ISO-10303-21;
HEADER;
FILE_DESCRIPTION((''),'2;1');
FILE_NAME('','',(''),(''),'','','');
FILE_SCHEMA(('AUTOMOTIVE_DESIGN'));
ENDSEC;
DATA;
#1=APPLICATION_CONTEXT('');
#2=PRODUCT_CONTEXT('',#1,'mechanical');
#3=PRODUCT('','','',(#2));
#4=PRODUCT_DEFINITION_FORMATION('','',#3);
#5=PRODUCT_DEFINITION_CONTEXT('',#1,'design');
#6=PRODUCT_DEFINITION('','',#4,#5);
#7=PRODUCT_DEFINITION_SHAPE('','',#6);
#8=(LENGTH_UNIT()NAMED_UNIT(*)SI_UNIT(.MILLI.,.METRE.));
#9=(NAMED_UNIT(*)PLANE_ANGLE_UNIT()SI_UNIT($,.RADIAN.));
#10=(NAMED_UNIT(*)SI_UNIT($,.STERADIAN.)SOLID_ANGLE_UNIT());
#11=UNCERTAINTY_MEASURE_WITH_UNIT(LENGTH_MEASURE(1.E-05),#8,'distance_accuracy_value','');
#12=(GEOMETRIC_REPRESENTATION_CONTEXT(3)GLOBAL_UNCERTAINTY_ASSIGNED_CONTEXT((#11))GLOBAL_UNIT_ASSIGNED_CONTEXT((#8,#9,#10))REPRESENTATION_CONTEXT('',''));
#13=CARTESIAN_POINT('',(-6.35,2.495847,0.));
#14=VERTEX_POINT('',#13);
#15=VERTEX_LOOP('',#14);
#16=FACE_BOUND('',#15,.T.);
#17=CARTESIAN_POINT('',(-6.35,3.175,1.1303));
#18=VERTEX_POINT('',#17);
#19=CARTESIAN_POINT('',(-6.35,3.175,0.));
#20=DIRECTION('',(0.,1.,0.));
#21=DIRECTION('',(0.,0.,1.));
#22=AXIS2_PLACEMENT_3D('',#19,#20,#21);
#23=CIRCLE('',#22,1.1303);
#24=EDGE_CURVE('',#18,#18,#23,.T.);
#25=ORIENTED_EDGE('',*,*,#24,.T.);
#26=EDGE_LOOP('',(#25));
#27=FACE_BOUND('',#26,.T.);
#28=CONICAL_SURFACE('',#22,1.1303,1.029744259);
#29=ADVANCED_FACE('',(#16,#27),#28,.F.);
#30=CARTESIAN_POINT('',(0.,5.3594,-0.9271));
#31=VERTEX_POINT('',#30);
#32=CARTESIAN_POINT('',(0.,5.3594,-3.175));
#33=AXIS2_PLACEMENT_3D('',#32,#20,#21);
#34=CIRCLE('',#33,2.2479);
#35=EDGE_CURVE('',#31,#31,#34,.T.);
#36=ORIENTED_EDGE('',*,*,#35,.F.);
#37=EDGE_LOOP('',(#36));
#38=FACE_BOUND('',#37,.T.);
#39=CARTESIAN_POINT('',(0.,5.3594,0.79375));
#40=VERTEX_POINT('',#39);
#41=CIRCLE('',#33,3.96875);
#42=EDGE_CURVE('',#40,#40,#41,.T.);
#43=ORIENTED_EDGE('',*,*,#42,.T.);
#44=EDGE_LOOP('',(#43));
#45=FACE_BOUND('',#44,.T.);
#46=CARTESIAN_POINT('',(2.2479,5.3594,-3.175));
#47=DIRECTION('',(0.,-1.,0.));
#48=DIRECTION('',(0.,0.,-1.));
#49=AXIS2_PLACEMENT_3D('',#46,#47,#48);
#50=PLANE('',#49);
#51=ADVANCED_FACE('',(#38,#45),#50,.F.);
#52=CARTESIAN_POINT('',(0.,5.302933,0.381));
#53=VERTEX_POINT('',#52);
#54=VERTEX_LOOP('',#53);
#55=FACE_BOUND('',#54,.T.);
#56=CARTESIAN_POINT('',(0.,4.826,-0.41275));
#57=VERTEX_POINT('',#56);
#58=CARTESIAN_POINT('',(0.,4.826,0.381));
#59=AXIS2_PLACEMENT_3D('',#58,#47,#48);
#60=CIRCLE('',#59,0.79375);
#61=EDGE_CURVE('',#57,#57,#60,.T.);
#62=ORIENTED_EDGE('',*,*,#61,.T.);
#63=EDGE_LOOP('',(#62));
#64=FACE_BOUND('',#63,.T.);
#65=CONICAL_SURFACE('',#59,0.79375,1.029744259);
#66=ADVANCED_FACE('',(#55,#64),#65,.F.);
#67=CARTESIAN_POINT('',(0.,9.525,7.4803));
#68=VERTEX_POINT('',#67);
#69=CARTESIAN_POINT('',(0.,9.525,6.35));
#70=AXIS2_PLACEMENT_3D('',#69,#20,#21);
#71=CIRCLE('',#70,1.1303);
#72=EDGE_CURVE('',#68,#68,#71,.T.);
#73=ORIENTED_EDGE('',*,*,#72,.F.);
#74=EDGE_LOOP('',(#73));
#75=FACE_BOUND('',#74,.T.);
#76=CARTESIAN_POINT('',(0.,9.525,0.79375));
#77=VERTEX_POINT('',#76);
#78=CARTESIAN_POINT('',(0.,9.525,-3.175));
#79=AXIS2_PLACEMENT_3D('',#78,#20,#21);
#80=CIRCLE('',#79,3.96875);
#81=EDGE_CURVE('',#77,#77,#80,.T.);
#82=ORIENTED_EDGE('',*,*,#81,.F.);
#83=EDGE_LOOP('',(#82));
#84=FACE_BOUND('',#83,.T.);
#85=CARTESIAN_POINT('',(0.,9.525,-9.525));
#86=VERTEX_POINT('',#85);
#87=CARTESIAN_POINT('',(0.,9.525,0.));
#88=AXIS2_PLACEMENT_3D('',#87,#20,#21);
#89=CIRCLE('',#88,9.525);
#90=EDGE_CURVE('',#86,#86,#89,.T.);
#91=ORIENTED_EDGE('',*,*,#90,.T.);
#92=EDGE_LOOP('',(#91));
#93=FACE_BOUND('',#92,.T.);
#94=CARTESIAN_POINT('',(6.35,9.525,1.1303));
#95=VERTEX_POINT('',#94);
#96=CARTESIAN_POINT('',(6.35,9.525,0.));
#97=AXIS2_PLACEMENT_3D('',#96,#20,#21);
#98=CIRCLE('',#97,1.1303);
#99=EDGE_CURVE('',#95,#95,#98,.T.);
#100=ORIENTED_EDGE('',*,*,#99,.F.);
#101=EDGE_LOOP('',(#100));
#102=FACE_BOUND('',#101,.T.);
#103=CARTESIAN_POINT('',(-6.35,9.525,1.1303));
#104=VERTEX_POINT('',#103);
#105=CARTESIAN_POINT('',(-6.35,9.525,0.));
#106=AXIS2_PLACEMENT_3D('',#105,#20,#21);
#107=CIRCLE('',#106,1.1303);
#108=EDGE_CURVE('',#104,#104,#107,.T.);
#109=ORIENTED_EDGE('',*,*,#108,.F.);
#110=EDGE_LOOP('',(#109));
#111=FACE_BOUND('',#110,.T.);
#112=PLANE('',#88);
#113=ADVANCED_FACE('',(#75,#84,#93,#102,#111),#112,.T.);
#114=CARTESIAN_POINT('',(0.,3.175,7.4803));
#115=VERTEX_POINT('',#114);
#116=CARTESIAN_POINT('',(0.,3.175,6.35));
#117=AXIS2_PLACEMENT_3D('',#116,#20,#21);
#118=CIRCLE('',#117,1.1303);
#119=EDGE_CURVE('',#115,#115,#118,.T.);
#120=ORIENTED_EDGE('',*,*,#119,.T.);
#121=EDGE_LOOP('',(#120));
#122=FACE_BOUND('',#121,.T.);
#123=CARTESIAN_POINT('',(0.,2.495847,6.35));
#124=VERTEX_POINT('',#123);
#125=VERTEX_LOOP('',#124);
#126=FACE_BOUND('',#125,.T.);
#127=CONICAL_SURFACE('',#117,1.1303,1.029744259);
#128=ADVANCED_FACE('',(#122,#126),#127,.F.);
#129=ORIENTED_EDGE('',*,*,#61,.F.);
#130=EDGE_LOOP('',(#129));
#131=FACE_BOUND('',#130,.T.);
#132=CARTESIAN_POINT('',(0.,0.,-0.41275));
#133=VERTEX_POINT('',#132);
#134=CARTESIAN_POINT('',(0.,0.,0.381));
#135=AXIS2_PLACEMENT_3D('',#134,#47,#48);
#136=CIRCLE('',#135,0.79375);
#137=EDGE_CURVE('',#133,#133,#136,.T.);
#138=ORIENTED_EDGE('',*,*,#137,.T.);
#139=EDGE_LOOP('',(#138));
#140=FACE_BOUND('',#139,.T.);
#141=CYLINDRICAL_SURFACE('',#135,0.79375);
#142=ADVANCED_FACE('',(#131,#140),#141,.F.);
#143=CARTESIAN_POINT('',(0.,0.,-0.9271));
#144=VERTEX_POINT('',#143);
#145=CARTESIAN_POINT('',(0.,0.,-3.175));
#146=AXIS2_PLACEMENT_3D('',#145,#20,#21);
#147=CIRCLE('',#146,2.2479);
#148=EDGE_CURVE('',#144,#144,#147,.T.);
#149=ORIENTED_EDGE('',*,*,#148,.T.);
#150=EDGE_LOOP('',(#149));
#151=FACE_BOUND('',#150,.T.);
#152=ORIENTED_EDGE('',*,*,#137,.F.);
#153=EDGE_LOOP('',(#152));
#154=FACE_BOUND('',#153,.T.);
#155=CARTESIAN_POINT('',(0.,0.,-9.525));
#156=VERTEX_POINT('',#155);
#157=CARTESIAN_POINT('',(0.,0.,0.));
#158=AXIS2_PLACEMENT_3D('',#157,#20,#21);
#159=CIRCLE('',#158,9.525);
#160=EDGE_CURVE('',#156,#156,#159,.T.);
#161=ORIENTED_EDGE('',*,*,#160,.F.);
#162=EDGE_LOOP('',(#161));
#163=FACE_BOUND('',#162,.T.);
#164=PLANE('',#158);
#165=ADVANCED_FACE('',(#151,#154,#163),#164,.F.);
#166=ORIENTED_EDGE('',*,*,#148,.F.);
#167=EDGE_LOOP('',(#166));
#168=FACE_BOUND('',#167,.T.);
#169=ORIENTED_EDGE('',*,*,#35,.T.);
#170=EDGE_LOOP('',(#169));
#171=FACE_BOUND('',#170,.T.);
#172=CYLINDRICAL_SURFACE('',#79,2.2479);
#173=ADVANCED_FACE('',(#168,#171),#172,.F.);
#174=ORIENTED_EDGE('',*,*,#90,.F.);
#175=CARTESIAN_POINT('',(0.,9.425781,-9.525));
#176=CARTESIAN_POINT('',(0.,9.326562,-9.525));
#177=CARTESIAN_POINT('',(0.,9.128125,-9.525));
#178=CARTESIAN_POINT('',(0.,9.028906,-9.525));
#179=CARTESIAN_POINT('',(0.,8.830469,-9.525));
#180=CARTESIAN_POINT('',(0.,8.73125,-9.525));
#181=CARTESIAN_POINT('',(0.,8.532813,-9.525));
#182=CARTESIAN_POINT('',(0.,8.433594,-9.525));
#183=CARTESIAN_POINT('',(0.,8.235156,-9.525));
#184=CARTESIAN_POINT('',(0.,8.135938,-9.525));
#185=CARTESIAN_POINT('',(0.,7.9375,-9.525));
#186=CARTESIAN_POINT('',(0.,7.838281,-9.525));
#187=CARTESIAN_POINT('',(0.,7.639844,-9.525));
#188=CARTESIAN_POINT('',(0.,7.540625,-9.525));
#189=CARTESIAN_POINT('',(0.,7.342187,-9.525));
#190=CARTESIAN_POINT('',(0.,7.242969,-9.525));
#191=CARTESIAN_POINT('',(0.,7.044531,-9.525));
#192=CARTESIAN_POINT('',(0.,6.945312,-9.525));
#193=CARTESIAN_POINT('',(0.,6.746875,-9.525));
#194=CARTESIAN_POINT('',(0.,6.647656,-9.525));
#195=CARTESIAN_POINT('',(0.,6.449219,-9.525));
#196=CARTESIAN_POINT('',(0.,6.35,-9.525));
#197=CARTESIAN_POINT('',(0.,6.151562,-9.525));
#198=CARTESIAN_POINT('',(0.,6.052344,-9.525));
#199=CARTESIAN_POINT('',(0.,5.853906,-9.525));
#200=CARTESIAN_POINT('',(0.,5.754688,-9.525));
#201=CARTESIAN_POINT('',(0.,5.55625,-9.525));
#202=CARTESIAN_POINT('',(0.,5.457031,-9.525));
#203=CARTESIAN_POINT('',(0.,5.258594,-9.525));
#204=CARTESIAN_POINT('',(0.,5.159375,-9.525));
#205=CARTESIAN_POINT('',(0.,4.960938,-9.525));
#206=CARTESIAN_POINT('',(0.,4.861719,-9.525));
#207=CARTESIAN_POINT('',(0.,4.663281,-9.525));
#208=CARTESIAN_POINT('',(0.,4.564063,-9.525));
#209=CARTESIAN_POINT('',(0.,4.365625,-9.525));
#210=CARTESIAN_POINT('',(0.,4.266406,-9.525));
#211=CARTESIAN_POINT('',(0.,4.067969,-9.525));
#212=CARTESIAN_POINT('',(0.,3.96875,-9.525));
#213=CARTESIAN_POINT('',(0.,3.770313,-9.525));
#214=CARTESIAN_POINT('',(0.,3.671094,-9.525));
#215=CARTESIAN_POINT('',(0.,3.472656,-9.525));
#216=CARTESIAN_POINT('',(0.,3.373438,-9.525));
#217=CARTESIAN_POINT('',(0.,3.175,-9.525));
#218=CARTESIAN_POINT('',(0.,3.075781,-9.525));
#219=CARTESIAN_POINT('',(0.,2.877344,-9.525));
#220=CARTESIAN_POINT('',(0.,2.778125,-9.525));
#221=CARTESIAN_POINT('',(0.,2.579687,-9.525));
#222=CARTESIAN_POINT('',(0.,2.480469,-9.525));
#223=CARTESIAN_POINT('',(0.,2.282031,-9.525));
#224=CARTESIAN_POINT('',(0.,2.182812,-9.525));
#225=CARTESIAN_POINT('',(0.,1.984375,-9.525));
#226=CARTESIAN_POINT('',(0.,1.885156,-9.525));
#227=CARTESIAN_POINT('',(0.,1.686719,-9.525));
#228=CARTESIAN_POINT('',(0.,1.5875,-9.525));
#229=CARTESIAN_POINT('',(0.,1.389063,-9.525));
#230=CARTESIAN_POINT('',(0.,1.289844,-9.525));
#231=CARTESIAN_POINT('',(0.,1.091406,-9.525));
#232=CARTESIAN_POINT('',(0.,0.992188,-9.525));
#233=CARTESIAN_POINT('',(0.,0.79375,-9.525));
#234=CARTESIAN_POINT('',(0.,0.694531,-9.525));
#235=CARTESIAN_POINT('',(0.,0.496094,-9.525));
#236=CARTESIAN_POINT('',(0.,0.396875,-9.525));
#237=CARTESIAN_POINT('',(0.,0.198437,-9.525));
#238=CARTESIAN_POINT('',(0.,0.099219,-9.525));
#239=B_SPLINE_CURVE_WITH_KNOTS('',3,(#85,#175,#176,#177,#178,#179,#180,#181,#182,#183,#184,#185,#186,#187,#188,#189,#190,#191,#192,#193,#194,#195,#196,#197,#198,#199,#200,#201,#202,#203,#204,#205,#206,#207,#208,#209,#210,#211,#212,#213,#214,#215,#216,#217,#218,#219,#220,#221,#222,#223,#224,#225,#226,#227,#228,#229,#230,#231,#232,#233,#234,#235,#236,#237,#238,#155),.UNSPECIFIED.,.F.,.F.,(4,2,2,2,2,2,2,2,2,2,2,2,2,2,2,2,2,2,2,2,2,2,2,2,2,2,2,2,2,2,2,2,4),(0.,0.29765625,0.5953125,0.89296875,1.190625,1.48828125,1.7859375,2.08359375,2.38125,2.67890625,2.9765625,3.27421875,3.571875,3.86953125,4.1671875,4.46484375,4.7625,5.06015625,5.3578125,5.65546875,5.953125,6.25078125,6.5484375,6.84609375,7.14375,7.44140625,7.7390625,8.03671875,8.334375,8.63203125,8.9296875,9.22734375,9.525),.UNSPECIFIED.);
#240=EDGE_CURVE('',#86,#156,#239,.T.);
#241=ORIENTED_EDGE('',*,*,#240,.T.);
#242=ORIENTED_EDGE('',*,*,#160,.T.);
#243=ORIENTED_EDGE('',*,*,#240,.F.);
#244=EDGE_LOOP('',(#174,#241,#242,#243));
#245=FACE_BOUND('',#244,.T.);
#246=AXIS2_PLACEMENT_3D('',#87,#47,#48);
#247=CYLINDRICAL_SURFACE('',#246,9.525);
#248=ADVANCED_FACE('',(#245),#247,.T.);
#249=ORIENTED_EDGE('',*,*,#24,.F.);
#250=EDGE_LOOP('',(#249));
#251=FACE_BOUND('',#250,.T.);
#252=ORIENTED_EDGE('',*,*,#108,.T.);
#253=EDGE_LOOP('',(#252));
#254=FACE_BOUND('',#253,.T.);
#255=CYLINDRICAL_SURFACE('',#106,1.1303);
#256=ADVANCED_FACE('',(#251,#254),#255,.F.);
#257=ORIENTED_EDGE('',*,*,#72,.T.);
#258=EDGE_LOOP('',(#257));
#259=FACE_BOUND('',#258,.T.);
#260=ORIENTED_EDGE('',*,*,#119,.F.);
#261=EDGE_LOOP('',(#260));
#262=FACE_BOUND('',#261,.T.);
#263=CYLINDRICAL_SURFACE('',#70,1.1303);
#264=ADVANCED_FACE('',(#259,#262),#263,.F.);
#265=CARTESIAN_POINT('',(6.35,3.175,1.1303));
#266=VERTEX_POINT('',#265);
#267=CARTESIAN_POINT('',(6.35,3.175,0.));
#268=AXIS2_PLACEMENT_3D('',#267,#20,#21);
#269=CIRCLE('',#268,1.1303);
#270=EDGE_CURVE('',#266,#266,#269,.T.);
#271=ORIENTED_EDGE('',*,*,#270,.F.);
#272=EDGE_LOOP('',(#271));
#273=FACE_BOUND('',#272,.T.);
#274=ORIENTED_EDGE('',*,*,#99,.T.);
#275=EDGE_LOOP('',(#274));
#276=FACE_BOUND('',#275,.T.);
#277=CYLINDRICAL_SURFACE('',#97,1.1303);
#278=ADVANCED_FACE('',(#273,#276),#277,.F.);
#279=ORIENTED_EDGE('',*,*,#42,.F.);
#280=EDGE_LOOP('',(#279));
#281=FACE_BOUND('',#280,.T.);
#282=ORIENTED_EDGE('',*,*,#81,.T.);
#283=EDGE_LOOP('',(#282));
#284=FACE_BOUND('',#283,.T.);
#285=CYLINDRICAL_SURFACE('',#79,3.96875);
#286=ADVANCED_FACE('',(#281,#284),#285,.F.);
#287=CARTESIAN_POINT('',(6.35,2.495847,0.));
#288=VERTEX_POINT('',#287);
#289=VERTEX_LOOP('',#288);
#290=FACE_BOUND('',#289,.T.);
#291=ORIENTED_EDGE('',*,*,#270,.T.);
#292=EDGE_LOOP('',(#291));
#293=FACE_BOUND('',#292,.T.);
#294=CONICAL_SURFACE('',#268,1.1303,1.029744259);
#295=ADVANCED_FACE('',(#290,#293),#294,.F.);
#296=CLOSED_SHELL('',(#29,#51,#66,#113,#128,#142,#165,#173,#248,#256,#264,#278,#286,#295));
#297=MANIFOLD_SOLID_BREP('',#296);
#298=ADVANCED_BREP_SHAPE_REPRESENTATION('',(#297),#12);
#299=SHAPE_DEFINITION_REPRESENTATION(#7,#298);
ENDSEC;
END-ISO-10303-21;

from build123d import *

# Parameters (mm, degrees)
SKETCH1_R                                      = 9.525
BOSS_EXTRUDE1_DEPTH                            = 9.525
CBORE_FOR_8_SOCKET_HEAD_CAP_SCREW1_D           = 4.4958
CBORE_FOR_8_SOCKET_HEAD_CAP_SCREW1_CBORE_D     = 7.9375
CBORE_FOR_8_SOCKET_HEAD_CAP_SCREW1_CBORE_DEPTH = 4.1656
F_1_16_0_0625_DIAMETER_HOLE1_D                 = 1.5875
F_1_16_0_0625_DIAMETER_HOLE1_DEPTH             = 4.826
F_1_16_0_0625_DIAMETER_HOLE1_TIP               = 0.476933116
F_4_40_TAPPED_HOLE1_D                          = 2.2606
F_4_40_TAPPED_HOLE1_DEPTH                      = 6.35
F_4_40_TAPPED_HOLE1_TIP                        = 0.679152758


with BuildPart() as part:
    # Sketch1 → Boss-Extrude1 (new body)
    with BuildSketch(Plane(origin=(0, 0, 0), x_dir=(1, 0, 0), z_dir=(0, 1, 0))):
        with Locations(Location((0, 0, 0), (0, 0, 90))):
            Circle(SKETCH1_R)
    extrude(amount=BOSS_EXTRUDE1_DEPTH)

    # CBORE for #8 Socket Head Cap Screw1 (through all)
    with Locations(Plane(origin=(0, 9.525, 0), x_dir=(1, 0, 0), z_dir=(0, 1, 0))):
        with Locations((0, 3.175)):
            CounterBoreHole(CBORE_FOR_8_SOCKET_HEAD_CAP_SCREW1_D / 2, CBORE_FOR_8_SOCKET_HEAD_CAP_SCREW1_CBORE_D / 2, CBORE_FOR_8_SOCKET_HEAD_CAP_SCREW1_CBORE_DEPTH)

    # 1/16 (0.0625) Diameter Hole1
    with Locations(Plane(origin=(0, 0, 0.381), x_dir=(0, 0, -1), z_dir=(0, -1, 0))):
        with Locations((0, 0)):
            Hole(F_1_16_0_0625_DIAMETER_HOLE1_D / 2, depth=F_1_16_0_0625_DIAMETER_HOLE1_DEPTH)
            with Locations((0, 0, -(F_1_16_0_0625_DIAMETER_HOLE1_DEPTH + F_1_16_0_0625_DIAMETER_HOLE1_TIP / 2))):  # 118° drill point
                Cone(0, F_1_16_0_0625_DIAMETER_HOLE1_D / 2, F_1_16_0_0625_DIAMETER_HOLE1_TIP, mode=Mode.SUBTRACT)

    # #4-40 Tapped Hole1
    with Locations(Plane(origin=(-6.35, 9.525, 0), x_dir=(0, 0, 1), z_dir=(0, 1, 0))):
        with Locations((0, 0), (0, 12.7), (6.35, 6.35)):
            Hole(F_4_40_TAPPED_HOLE1_D / 2, depth=F_4_40_TAPPED_HOLE1_DEPTH)
            with Locations((0, 0, -(F_4_40_TAPPED_HOLE1_DEPTH + F_4_40_TAPPED_HOLE1_TIP / 2))):  # 118° drill point
                Cone(0, F_4_40_TAPPED_HOLE1_D / 2, F_4_40_TAPPED_HOLE1_TIP, mode=Mode.SUBTRACT)


solid = part.part
